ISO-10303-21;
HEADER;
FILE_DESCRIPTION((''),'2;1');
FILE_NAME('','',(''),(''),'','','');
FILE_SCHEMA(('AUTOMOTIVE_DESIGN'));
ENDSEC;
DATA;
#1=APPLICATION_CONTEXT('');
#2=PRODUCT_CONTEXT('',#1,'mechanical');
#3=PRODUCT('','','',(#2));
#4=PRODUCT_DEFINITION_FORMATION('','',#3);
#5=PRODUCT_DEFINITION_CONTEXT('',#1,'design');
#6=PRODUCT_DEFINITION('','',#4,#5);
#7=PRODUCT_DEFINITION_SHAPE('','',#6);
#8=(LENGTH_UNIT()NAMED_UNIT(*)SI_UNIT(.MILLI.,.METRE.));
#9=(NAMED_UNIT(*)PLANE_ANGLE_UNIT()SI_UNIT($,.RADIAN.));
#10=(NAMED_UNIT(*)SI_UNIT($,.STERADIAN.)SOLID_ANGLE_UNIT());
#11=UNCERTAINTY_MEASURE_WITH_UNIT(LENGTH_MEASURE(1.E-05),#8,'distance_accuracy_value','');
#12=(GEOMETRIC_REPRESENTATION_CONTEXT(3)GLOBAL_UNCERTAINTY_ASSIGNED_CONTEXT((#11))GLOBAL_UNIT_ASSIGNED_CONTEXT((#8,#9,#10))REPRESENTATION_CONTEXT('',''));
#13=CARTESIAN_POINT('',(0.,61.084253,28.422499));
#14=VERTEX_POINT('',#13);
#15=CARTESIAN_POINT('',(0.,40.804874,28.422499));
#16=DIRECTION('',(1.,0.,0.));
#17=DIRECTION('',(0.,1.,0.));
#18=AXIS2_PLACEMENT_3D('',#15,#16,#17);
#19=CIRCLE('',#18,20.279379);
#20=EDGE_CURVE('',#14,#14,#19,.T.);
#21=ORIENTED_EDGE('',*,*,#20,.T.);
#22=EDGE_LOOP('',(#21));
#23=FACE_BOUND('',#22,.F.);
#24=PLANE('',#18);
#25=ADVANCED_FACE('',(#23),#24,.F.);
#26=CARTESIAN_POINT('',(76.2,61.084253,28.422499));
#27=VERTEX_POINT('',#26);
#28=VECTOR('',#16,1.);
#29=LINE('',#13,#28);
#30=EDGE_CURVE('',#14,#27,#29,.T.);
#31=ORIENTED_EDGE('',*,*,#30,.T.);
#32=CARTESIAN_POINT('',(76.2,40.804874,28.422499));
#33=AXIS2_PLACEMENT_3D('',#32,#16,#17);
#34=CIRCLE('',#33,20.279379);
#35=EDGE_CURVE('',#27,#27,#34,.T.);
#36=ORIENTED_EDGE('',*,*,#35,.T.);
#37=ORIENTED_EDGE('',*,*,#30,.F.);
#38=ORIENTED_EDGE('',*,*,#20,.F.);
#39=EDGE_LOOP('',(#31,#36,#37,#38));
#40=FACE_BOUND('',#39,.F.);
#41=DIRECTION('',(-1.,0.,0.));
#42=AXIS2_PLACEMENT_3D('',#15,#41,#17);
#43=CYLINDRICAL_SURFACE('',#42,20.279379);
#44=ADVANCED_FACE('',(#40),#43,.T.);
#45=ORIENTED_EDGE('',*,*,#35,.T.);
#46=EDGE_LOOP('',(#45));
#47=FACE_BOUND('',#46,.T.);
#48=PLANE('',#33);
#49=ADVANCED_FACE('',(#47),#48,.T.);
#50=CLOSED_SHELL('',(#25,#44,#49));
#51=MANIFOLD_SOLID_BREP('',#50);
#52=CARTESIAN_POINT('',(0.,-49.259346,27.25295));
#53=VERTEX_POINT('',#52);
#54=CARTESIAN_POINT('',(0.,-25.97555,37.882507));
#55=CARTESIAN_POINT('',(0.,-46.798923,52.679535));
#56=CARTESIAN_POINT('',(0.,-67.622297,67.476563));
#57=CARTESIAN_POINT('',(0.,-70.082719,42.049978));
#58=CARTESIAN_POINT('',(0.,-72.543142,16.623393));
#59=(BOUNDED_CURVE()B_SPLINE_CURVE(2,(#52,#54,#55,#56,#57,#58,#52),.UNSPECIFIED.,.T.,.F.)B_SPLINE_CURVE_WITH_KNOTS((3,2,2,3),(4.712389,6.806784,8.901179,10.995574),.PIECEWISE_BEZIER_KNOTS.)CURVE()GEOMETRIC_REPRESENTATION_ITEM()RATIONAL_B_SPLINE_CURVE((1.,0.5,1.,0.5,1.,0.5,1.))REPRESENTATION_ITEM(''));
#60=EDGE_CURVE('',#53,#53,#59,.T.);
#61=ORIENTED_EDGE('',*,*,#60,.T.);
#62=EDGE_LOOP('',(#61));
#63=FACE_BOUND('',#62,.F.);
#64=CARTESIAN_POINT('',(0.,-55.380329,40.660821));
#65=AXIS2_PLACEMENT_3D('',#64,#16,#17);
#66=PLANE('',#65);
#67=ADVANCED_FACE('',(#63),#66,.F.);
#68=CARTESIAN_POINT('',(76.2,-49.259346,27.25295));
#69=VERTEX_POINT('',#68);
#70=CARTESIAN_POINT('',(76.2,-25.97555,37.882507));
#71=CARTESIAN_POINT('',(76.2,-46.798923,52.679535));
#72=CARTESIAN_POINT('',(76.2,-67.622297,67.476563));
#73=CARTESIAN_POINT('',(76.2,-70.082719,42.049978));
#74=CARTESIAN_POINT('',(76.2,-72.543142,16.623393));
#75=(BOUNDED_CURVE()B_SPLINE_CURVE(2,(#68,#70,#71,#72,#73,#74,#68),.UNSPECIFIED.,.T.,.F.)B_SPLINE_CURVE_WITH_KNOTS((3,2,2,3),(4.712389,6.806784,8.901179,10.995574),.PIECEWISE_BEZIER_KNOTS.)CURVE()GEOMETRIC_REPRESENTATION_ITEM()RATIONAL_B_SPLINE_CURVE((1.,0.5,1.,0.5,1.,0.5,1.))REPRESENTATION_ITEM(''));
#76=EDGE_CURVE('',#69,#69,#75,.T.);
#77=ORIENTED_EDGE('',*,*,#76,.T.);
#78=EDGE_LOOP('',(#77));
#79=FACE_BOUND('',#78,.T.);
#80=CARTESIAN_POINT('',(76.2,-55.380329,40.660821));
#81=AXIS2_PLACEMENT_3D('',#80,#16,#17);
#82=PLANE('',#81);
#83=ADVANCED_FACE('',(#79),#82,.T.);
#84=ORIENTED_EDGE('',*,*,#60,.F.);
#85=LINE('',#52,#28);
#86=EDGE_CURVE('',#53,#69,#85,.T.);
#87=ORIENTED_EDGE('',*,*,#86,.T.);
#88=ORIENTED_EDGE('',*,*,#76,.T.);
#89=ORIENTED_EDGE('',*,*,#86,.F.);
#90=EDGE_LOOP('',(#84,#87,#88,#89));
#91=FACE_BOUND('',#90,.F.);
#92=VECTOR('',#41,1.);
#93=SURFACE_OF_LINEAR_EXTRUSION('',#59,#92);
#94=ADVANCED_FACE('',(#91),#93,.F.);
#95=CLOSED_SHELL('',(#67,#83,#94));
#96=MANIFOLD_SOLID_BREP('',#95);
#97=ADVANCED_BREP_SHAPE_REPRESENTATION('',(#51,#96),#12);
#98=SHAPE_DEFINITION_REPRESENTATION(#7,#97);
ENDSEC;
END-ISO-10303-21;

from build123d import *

# Parameters (mm, degrees)
F0_R     = 20.279379
F1_DEPTH = 76.2
F3_DEPTH = 76.2


with BuildPart() as f1:
    # F0 (on Right) → F1 (new body)
    with BuildSketch(Plane.YZ):
        with Locations((40.804874, 28.422499)):
            Circle(F0_R)
    extrude(amount=F1_DEPTH)


with BuildPart() as f3:
    # F2 (on Right) → F3 (new body)
    with BuildSketch(Plane.YZ):
        with BuildLine():
            add(Edge.make_bspline(
                [(-49.259346, 27.25295), (-25.97555, 37.882507), (-46.798923, 52.679535), (-67.622297, 67.476563), (-70.082719, 42.049978), (-72.543142, 16.623393), (-49.259346, 27.25295)],
                knots=[4.712389, 4.712389, 4.712389, 6.806784, 6.806784, 8.901179, 8.901179, 10.995574, 10.995574, 10.995574], degree=2, weights=[1, 0.5, 1, 0.5, 1, 0.5, 1]))
        make_face()
    extrude(amount=F3_DEPTH)


solid = Compound([f1.part, f3.part])
